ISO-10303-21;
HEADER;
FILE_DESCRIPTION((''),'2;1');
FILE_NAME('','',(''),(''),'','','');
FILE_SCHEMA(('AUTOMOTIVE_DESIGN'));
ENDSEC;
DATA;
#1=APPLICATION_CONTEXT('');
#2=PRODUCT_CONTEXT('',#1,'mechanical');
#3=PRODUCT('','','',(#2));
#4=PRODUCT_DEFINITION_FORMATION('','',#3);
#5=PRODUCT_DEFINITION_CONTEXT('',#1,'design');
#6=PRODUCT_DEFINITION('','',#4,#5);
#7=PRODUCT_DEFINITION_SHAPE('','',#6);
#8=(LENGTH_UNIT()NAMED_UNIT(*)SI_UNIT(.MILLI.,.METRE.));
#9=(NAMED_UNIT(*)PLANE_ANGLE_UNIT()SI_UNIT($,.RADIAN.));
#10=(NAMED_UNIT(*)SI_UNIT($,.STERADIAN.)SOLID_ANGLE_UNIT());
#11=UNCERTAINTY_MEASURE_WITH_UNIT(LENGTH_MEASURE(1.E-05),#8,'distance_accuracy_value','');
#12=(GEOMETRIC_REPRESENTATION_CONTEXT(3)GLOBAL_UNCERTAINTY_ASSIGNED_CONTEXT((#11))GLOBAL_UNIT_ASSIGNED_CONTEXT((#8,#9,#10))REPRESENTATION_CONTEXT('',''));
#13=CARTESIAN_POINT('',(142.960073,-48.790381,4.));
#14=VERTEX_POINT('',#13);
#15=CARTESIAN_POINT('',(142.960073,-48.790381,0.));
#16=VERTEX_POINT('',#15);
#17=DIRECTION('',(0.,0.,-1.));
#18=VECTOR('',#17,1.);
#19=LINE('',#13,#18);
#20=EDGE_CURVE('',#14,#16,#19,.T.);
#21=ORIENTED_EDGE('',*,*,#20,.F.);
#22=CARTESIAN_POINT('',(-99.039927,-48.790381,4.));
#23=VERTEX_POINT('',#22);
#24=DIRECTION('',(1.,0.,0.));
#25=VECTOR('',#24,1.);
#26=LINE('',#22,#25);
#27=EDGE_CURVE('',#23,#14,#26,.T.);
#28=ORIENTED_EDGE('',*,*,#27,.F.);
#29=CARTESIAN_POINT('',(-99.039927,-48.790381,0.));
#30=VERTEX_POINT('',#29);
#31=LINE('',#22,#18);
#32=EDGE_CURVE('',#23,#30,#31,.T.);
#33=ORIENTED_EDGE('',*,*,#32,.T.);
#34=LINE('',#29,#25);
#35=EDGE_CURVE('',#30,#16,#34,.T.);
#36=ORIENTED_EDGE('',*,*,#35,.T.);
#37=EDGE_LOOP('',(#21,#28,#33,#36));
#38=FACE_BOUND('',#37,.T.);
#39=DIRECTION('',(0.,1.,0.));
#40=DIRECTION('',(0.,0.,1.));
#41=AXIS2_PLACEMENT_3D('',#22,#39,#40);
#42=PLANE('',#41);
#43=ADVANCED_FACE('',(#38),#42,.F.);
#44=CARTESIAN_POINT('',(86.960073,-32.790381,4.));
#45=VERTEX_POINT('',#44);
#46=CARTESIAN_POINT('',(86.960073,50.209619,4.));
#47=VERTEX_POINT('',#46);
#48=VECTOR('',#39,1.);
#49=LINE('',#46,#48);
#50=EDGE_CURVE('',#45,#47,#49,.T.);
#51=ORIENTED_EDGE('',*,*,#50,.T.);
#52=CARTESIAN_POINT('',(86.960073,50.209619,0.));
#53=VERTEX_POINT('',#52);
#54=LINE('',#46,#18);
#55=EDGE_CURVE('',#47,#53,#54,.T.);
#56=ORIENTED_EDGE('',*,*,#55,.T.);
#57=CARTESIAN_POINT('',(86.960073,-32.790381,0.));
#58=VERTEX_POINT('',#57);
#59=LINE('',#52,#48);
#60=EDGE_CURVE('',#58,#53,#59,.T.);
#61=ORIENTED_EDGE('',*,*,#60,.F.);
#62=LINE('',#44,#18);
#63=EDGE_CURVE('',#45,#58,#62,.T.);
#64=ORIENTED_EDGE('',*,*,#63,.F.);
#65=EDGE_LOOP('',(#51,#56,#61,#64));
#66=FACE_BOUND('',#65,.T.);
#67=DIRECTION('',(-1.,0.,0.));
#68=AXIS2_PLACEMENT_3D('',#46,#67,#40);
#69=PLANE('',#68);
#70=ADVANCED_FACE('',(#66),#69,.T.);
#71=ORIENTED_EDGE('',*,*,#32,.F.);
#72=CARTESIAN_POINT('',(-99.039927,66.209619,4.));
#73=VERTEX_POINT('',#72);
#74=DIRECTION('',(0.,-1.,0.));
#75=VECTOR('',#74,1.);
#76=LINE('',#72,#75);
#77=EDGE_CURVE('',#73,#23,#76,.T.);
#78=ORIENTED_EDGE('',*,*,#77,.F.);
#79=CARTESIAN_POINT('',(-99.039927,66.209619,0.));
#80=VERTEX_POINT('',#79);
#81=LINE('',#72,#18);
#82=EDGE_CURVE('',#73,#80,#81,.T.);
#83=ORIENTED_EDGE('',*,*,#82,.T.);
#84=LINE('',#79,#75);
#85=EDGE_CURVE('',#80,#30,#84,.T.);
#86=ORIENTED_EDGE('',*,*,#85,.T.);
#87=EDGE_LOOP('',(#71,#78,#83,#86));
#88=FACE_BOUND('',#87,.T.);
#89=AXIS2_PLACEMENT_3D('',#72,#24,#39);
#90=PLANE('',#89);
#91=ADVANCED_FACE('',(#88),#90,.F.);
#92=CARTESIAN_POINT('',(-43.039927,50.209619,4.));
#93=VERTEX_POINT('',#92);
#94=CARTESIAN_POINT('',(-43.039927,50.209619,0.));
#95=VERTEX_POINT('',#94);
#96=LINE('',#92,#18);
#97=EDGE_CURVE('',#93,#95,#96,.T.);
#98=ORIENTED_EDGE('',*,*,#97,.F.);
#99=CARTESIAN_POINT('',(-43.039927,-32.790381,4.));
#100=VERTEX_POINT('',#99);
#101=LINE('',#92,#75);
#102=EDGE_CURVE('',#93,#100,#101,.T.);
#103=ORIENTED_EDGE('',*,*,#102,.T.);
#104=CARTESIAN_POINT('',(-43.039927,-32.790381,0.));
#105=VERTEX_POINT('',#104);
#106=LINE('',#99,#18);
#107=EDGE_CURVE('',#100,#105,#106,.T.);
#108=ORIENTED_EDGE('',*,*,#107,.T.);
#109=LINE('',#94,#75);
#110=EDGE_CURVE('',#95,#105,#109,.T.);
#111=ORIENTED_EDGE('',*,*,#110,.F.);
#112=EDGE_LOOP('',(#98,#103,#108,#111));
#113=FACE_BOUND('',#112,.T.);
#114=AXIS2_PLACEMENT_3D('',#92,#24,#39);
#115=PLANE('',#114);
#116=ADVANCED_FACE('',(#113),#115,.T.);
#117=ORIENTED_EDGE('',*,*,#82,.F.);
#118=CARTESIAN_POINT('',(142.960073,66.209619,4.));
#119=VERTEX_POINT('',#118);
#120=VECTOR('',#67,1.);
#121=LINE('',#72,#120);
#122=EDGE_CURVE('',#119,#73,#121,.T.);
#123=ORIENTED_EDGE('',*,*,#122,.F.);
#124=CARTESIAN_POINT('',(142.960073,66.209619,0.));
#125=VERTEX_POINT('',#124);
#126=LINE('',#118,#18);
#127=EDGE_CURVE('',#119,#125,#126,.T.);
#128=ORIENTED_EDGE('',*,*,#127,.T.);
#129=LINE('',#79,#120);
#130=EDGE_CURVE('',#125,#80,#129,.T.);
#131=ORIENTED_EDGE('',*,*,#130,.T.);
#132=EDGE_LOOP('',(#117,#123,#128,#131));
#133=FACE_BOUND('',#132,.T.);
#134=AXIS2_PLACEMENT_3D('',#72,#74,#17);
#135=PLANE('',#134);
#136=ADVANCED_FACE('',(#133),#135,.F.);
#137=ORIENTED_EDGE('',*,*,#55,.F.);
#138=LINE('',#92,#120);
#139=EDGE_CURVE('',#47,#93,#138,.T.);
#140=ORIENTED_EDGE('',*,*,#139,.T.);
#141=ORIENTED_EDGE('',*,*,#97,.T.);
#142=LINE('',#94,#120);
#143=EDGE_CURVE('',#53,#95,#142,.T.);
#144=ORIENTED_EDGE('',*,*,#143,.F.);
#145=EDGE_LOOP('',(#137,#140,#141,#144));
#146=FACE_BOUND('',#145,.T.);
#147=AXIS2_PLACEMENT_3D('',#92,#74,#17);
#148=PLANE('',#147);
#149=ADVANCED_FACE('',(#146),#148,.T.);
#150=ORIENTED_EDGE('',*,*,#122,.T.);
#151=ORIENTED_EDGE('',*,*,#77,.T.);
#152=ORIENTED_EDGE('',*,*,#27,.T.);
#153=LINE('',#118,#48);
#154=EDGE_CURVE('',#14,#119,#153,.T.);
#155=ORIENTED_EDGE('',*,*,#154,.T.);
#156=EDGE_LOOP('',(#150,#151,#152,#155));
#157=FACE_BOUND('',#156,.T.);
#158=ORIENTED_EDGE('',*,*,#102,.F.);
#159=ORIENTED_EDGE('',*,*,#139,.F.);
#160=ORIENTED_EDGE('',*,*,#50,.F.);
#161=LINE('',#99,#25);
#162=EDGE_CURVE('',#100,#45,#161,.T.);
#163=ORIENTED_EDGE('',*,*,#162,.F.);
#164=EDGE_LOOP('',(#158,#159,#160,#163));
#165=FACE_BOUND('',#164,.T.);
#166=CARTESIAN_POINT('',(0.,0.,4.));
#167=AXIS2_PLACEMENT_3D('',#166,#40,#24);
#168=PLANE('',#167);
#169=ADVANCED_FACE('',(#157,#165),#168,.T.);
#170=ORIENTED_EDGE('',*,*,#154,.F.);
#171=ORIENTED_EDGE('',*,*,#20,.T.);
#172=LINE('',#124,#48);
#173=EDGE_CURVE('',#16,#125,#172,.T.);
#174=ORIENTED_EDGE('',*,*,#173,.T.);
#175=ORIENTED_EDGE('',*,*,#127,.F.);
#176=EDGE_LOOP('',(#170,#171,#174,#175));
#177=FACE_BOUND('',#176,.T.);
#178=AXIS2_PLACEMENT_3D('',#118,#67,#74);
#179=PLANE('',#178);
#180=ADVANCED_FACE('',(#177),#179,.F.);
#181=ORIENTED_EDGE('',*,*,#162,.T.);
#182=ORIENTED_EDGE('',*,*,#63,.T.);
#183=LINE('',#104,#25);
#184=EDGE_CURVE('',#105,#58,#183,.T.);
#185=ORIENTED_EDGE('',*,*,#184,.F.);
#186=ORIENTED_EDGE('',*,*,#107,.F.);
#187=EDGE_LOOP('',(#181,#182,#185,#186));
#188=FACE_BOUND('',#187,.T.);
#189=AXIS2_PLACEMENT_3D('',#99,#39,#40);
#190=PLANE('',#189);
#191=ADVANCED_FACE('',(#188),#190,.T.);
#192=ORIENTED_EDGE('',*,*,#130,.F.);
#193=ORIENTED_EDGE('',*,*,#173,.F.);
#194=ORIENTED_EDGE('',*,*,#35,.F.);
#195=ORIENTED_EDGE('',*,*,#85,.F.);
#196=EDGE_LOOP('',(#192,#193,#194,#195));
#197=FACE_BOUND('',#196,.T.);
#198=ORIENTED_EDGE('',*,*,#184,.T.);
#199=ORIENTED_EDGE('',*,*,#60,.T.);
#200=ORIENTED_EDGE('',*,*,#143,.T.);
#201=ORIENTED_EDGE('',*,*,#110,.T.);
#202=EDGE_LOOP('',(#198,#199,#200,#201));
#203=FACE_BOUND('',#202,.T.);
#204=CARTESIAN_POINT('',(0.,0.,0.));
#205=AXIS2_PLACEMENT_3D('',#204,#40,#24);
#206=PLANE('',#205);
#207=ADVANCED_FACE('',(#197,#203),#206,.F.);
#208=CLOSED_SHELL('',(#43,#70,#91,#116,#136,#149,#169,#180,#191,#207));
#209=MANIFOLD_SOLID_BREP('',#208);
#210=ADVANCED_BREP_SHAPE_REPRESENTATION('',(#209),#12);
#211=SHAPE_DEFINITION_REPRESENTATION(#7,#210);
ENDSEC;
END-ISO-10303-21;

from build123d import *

# Parameters (mm, degrees)
SKETCH_1_W      = 242
SKETCH_1_H      = 115
SKETCH_1_W_2    = 130
SKETCH_1_H_2    = 83
EXTRUDE_1_DEPTH = 4


with BuildPart() as part:
    # 草图1 → 凸台-拉伸1 (new body)
    with BuildSketch(Plane.XY):
        with Locations((21.960072595, 8.709618875)):
            Rectangle(SKETCH_1_W, SKETCH_1_H)
        with Locations((21.960072595, 8.709618875)):
            Rectangle(SKETCH_1_W_2, SKETCH_1_H_2, mode=Mode.SUBTRACT)
    extrude(amount=EXTRUDE_1_DEPTH)


solid = part.part
